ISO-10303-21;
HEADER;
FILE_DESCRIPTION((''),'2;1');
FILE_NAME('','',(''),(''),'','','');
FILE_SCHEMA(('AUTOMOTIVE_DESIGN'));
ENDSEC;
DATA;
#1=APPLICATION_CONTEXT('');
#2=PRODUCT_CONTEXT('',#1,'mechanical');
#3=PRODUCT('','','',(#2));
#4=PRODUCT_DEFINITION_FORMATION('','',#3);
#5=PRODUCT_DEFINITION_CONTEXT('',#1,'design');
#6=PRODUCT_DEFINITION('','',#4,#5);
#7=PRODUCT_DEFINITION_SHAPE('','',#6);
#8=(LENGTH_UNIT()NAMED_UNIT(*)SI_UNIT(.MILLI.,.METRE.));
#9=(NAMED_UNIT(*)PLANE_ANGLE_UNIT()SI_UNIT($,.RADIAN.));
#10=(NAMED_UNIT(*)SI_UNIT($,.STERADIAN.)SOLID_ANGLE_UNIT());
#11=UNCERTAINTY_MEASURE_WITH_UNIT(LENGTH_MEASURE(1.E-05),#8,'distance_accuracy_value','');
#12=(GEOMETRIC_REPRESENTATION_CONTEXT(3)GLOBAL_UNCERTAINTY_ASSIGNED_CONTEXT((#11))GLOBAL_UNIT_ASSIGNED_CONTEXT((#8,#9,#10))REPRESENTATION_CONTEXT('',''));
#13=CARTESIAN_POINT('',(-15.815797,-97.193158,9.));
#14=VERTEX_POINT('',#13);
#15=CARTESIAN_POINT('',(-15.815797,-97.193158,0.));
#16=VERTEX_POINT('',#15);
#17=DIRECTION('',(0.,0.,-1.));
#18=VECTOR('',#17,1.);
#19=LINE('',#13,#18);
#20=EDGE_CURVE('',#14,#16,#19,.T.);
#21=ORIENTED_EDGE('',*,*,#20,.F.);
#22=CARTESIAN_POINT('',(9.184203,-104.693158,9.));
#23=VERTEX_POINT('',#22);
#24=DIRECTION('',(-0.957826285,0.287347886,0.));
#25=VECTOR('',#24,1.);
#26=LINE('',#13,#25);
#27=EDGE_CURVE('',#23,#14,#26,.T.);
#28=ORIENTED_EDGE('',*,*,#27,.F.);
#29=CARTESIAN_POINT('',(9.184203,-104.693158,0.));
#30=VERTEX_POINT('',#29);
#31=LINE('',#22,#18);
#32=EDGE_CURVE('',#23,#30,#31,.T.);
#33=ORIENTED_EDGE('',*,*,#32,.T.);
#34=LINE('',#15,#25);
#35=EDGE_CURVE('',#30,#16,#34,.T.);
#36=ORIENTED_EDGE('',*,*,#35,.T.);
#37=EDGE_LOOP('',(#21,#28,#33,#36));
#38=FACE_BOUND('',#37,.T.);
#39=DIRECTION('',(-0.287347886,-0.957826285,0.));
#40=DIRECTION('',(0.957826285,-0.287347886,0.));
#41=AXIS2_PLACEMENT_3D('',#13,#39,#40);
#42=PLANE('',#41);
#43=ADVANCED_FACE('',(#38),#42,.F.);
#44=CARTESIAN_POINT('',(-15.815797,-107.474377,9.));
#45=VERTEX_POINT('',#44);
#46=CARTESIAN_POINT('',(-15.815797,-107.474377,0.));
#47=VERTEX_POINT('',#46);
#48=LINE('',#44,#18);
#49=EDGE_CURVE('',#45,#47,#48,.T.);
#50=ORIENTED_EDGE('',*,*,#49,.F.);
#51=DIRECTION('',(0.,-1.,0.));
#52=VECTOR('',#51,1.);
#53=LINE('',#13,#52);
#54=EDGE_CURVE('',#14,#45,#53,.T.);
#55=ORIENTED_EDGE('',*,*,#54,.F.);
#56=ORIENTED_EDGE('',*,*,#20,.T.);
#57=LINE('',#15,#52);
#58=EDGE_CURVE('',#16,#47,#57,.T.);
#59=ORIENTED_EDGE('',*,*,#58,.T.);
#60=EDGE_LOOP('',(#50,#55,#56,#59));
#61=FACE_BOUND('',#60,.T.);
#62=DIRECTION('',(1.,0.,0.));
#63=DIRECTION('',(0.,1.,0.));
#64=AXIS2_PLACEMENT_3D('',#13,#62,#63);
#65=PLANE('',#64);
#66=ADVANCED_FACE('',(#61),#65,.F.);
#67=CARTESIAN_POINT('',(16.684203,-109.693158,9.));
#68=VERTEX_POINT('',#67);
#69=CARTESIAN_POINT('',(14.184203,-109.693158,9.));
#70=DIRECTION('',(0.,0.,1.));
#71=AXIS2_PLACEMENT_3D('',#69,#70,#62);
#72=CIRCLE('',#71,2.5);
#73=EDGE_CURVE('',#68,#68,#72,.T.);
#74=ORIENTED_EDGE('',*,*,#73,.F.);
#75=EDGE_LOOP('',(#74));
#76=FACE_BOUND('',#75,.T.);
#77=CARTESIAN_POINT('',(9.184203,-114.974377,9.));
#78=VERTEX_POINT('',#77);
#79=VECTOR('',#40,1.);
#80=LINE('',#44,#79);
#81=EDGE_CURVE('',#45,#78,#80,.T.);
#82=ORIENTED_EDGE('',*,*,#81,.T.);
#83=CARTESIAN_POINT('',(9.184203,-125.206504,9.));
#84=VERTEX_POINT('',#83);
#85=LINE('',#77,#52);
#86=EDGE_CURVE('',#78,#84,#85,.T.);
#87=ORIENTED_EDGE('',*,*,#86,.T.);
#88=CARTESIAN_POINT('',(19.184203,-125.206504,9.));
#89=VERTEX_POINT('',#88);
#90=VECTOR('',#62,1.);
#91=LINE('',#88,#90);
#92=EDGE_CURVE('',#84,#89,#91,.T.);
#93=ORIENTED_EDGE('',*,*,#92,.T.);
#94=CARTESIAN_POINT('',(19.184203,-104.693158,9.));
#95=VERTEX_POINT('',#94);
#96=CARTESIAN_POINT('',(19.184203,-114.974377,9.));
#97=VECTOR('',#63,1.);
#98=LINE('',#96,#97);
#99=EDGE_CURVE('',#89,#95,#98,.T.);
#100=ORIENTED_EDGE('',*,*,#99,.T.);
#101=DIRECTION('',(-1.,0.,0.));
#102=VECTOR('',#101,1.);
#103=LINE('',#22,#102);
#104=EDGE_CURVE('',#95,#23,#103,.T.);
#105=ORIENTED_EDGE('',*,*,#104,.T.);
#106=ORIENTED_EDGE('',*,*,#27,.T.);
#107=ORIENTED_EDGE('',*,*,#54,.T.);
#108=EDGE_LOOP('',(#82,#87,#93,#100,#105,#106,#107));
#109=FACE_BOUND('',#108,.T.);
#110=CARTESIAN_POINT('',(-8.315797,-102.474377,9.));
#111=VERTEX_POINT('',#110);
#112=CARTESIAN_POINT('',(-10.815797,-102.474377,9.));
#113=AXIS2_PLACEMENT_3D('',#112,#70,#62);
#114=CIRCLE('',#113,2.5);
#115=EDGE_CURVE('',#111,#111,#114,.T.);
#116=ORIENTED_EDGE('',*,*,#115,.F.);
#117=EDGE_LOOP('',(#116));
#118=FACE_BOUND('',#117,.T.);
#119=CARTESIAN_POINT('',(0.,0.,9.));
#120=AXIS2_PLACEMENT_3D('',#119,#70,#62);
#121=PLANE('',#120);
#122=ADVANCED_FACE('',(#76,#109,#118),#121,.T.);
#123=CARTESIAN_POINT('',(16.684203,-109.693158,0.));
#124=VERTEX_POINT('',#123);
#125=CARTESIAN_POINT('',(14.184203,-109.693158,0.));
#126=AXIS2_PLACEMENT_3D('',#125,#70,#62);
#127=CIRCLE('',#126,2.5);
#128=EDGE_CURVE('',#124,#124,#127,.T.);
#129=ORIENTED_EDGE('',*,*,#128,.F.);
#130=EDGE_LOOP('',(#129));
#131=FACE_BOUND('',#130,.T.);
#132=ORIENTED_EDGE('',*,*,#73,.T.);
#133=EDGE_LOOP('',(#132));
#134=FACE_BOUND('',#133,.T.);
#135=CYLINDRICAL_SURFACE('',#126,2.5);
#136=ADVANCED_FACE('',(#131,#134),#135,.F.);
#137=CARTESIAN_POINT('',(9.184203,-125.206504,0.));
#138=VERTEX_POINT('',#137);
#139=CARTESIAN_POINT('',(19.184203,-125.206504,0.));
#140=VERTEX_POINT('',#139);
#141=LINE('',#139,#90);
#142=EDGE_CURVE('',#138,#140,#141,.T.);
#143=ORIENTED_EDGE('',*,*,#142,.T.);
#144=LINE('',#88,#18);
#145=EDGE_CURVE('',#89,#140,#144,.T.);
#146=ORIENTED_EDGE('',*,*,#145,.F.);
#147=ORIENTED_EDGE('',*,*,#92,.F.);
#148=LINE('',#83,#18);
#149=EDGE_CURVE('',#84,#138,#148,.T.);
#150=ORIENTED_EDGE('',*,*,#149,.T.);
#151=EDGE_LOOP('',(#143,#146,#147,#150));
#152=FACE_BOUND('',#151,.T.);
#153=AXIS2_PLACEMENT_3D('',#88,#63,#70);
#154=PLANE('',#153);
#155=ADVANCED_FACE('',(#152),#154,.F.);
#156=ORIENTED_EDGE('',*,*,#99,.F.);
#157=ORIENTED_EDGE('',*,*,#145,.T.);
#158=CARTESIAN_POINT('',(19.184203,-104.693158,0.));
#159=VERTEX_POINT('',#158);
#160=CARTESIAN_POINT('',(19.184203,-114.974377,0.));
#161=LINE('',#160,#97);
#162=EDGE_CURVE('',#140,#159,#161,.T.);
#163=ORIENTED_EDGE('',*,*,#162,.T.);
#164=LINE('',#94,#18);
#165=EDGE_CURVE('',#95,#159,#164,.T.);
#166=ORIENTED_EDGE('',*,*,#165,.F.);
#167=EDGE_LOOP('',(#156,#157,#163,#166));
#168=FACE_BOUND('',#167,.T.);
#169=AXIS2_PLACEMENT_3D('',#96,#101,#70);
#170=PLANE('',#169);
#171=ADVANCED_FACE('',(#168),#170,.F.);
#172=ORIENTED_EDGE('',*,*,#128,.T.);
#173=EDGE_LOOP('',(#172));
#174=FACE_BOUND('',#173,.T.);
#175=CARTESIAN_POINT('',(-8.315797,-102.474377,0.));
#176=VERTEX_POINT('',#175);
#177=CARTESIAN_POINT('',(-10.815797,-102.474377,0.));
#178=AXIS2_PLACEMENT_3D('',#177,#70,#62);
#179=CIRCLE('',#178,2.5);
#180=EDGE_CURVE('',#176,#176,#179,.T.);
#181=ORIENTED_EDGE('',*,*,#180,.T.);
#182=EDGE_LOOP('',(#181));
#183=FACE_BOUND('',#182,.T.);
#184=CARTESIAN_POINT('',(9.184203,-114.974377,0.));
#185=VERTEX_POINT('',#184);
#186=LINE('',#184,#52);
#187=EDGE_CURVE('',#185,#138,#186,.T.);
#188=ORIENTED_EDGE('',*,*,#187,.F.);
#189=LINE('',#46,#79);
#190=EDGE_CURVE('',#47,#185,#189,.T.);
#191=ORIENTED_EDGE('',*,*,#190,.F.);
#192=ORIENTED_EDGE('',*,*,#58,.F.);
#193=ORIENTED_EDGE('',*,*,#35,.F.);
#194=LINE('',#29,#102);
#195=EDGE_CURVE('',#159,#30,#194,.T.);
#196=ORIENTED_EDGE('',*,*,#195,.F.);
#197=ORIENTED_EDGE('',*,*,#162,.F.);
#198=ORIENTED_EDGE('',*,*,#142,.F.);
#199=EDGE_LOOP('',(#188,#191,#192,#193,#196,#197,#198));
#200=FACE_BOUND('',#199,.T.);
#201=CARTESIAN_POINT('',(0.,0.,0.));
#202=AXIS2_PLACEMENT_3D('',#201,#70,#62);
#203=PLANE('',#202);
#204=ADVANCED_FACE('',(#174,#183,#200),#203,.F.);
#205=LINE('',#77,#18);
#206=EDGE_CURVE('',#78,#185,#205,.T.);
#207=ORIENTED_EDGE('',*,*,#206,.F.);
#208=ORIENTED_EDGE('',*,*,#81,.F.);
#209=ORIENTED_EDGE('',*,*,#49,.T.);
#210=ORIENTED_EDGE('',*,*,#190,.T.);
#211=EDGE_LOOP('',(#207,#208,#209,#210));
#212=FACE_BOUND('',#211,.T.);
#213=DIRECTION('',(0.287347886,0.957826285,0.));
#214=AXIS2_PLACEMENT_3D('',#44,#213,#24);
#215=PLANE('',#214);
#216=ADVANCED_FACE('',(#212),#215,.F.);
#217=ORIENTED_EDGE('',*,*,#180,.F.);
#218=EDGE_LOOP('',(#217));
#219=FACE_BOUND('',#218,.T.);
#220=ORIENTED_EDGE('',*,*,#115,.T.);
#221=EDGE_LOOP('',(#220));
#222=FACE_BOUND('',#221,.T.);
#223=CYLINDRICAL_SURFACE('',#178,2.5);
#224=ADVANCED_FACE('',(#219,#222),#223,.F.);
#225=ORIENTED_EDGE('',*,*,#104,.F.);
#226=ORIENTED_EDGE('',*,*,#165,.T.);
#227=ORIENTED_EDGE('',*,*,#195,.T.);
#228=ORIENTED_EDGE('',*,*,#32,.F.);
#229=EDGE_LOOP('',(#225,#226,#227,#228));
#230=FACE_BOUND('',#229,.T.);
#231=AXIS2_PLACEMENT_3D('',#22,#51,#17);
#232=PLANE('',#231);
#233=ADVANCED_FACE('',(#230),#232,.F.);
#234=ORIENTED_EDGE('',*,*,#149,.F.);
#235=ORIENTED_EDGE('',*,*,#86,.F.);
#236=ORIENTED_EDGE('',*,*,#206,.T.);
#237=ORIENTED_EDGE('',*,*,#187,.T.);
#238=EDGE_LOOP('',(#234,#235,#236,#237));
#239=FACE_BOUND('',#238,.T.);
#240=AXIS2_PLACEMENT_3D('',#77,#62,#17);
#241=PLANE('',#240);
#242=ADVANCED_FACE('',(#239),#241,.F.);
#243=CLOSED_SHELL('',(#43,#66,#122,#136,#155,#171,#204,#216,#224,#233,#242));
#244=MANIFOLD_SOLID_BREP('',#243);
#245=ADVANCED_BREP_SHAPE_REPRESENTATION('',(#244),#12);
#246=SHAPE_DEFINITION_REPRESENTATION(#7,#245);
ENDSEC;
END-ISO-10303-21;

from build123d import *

# Parameters (mm, degrees)
BOSS_EXTRUDE1_DEPTH = 9
SKETCH3_R           = 2.5
CUT_EXTRUDE1_DEPTH  = 9


with BuildPart() as part:
    # Sketch2 → Boss-Extrude1 (new body)
    with BuildSketch(Plane.XY):
        Polygon((-15.81579683, -97.193157961), (-15.81579683, -107.474376779), (9.18420317, -114.974376779), (9.18420317, -125.206503808), (19.18420317, -125.206503808), (19.18420317, -114.974376779), (19.18420317, -104.693157961), (9.18420317, -104.693157961), align=None)
    extrude(amount=BOSS_EXTRUDE1_DEPTH)

    # Sketch3 → Cut-Extrude1 (cut)
    with BuildSketch(Plane.XY.offset(9)):
        with Locations((14.18420317, -109.693157961)):
            Circle(SKETCH3_R)
        with Locations((-10.81579683, -102.474376779)):
            Circle(SKETCH3_R)
    extrude(amount=-CUT_EXTRUDE1_DEPTH, mode=Mode.SUBTRACT)


solid = part.part
